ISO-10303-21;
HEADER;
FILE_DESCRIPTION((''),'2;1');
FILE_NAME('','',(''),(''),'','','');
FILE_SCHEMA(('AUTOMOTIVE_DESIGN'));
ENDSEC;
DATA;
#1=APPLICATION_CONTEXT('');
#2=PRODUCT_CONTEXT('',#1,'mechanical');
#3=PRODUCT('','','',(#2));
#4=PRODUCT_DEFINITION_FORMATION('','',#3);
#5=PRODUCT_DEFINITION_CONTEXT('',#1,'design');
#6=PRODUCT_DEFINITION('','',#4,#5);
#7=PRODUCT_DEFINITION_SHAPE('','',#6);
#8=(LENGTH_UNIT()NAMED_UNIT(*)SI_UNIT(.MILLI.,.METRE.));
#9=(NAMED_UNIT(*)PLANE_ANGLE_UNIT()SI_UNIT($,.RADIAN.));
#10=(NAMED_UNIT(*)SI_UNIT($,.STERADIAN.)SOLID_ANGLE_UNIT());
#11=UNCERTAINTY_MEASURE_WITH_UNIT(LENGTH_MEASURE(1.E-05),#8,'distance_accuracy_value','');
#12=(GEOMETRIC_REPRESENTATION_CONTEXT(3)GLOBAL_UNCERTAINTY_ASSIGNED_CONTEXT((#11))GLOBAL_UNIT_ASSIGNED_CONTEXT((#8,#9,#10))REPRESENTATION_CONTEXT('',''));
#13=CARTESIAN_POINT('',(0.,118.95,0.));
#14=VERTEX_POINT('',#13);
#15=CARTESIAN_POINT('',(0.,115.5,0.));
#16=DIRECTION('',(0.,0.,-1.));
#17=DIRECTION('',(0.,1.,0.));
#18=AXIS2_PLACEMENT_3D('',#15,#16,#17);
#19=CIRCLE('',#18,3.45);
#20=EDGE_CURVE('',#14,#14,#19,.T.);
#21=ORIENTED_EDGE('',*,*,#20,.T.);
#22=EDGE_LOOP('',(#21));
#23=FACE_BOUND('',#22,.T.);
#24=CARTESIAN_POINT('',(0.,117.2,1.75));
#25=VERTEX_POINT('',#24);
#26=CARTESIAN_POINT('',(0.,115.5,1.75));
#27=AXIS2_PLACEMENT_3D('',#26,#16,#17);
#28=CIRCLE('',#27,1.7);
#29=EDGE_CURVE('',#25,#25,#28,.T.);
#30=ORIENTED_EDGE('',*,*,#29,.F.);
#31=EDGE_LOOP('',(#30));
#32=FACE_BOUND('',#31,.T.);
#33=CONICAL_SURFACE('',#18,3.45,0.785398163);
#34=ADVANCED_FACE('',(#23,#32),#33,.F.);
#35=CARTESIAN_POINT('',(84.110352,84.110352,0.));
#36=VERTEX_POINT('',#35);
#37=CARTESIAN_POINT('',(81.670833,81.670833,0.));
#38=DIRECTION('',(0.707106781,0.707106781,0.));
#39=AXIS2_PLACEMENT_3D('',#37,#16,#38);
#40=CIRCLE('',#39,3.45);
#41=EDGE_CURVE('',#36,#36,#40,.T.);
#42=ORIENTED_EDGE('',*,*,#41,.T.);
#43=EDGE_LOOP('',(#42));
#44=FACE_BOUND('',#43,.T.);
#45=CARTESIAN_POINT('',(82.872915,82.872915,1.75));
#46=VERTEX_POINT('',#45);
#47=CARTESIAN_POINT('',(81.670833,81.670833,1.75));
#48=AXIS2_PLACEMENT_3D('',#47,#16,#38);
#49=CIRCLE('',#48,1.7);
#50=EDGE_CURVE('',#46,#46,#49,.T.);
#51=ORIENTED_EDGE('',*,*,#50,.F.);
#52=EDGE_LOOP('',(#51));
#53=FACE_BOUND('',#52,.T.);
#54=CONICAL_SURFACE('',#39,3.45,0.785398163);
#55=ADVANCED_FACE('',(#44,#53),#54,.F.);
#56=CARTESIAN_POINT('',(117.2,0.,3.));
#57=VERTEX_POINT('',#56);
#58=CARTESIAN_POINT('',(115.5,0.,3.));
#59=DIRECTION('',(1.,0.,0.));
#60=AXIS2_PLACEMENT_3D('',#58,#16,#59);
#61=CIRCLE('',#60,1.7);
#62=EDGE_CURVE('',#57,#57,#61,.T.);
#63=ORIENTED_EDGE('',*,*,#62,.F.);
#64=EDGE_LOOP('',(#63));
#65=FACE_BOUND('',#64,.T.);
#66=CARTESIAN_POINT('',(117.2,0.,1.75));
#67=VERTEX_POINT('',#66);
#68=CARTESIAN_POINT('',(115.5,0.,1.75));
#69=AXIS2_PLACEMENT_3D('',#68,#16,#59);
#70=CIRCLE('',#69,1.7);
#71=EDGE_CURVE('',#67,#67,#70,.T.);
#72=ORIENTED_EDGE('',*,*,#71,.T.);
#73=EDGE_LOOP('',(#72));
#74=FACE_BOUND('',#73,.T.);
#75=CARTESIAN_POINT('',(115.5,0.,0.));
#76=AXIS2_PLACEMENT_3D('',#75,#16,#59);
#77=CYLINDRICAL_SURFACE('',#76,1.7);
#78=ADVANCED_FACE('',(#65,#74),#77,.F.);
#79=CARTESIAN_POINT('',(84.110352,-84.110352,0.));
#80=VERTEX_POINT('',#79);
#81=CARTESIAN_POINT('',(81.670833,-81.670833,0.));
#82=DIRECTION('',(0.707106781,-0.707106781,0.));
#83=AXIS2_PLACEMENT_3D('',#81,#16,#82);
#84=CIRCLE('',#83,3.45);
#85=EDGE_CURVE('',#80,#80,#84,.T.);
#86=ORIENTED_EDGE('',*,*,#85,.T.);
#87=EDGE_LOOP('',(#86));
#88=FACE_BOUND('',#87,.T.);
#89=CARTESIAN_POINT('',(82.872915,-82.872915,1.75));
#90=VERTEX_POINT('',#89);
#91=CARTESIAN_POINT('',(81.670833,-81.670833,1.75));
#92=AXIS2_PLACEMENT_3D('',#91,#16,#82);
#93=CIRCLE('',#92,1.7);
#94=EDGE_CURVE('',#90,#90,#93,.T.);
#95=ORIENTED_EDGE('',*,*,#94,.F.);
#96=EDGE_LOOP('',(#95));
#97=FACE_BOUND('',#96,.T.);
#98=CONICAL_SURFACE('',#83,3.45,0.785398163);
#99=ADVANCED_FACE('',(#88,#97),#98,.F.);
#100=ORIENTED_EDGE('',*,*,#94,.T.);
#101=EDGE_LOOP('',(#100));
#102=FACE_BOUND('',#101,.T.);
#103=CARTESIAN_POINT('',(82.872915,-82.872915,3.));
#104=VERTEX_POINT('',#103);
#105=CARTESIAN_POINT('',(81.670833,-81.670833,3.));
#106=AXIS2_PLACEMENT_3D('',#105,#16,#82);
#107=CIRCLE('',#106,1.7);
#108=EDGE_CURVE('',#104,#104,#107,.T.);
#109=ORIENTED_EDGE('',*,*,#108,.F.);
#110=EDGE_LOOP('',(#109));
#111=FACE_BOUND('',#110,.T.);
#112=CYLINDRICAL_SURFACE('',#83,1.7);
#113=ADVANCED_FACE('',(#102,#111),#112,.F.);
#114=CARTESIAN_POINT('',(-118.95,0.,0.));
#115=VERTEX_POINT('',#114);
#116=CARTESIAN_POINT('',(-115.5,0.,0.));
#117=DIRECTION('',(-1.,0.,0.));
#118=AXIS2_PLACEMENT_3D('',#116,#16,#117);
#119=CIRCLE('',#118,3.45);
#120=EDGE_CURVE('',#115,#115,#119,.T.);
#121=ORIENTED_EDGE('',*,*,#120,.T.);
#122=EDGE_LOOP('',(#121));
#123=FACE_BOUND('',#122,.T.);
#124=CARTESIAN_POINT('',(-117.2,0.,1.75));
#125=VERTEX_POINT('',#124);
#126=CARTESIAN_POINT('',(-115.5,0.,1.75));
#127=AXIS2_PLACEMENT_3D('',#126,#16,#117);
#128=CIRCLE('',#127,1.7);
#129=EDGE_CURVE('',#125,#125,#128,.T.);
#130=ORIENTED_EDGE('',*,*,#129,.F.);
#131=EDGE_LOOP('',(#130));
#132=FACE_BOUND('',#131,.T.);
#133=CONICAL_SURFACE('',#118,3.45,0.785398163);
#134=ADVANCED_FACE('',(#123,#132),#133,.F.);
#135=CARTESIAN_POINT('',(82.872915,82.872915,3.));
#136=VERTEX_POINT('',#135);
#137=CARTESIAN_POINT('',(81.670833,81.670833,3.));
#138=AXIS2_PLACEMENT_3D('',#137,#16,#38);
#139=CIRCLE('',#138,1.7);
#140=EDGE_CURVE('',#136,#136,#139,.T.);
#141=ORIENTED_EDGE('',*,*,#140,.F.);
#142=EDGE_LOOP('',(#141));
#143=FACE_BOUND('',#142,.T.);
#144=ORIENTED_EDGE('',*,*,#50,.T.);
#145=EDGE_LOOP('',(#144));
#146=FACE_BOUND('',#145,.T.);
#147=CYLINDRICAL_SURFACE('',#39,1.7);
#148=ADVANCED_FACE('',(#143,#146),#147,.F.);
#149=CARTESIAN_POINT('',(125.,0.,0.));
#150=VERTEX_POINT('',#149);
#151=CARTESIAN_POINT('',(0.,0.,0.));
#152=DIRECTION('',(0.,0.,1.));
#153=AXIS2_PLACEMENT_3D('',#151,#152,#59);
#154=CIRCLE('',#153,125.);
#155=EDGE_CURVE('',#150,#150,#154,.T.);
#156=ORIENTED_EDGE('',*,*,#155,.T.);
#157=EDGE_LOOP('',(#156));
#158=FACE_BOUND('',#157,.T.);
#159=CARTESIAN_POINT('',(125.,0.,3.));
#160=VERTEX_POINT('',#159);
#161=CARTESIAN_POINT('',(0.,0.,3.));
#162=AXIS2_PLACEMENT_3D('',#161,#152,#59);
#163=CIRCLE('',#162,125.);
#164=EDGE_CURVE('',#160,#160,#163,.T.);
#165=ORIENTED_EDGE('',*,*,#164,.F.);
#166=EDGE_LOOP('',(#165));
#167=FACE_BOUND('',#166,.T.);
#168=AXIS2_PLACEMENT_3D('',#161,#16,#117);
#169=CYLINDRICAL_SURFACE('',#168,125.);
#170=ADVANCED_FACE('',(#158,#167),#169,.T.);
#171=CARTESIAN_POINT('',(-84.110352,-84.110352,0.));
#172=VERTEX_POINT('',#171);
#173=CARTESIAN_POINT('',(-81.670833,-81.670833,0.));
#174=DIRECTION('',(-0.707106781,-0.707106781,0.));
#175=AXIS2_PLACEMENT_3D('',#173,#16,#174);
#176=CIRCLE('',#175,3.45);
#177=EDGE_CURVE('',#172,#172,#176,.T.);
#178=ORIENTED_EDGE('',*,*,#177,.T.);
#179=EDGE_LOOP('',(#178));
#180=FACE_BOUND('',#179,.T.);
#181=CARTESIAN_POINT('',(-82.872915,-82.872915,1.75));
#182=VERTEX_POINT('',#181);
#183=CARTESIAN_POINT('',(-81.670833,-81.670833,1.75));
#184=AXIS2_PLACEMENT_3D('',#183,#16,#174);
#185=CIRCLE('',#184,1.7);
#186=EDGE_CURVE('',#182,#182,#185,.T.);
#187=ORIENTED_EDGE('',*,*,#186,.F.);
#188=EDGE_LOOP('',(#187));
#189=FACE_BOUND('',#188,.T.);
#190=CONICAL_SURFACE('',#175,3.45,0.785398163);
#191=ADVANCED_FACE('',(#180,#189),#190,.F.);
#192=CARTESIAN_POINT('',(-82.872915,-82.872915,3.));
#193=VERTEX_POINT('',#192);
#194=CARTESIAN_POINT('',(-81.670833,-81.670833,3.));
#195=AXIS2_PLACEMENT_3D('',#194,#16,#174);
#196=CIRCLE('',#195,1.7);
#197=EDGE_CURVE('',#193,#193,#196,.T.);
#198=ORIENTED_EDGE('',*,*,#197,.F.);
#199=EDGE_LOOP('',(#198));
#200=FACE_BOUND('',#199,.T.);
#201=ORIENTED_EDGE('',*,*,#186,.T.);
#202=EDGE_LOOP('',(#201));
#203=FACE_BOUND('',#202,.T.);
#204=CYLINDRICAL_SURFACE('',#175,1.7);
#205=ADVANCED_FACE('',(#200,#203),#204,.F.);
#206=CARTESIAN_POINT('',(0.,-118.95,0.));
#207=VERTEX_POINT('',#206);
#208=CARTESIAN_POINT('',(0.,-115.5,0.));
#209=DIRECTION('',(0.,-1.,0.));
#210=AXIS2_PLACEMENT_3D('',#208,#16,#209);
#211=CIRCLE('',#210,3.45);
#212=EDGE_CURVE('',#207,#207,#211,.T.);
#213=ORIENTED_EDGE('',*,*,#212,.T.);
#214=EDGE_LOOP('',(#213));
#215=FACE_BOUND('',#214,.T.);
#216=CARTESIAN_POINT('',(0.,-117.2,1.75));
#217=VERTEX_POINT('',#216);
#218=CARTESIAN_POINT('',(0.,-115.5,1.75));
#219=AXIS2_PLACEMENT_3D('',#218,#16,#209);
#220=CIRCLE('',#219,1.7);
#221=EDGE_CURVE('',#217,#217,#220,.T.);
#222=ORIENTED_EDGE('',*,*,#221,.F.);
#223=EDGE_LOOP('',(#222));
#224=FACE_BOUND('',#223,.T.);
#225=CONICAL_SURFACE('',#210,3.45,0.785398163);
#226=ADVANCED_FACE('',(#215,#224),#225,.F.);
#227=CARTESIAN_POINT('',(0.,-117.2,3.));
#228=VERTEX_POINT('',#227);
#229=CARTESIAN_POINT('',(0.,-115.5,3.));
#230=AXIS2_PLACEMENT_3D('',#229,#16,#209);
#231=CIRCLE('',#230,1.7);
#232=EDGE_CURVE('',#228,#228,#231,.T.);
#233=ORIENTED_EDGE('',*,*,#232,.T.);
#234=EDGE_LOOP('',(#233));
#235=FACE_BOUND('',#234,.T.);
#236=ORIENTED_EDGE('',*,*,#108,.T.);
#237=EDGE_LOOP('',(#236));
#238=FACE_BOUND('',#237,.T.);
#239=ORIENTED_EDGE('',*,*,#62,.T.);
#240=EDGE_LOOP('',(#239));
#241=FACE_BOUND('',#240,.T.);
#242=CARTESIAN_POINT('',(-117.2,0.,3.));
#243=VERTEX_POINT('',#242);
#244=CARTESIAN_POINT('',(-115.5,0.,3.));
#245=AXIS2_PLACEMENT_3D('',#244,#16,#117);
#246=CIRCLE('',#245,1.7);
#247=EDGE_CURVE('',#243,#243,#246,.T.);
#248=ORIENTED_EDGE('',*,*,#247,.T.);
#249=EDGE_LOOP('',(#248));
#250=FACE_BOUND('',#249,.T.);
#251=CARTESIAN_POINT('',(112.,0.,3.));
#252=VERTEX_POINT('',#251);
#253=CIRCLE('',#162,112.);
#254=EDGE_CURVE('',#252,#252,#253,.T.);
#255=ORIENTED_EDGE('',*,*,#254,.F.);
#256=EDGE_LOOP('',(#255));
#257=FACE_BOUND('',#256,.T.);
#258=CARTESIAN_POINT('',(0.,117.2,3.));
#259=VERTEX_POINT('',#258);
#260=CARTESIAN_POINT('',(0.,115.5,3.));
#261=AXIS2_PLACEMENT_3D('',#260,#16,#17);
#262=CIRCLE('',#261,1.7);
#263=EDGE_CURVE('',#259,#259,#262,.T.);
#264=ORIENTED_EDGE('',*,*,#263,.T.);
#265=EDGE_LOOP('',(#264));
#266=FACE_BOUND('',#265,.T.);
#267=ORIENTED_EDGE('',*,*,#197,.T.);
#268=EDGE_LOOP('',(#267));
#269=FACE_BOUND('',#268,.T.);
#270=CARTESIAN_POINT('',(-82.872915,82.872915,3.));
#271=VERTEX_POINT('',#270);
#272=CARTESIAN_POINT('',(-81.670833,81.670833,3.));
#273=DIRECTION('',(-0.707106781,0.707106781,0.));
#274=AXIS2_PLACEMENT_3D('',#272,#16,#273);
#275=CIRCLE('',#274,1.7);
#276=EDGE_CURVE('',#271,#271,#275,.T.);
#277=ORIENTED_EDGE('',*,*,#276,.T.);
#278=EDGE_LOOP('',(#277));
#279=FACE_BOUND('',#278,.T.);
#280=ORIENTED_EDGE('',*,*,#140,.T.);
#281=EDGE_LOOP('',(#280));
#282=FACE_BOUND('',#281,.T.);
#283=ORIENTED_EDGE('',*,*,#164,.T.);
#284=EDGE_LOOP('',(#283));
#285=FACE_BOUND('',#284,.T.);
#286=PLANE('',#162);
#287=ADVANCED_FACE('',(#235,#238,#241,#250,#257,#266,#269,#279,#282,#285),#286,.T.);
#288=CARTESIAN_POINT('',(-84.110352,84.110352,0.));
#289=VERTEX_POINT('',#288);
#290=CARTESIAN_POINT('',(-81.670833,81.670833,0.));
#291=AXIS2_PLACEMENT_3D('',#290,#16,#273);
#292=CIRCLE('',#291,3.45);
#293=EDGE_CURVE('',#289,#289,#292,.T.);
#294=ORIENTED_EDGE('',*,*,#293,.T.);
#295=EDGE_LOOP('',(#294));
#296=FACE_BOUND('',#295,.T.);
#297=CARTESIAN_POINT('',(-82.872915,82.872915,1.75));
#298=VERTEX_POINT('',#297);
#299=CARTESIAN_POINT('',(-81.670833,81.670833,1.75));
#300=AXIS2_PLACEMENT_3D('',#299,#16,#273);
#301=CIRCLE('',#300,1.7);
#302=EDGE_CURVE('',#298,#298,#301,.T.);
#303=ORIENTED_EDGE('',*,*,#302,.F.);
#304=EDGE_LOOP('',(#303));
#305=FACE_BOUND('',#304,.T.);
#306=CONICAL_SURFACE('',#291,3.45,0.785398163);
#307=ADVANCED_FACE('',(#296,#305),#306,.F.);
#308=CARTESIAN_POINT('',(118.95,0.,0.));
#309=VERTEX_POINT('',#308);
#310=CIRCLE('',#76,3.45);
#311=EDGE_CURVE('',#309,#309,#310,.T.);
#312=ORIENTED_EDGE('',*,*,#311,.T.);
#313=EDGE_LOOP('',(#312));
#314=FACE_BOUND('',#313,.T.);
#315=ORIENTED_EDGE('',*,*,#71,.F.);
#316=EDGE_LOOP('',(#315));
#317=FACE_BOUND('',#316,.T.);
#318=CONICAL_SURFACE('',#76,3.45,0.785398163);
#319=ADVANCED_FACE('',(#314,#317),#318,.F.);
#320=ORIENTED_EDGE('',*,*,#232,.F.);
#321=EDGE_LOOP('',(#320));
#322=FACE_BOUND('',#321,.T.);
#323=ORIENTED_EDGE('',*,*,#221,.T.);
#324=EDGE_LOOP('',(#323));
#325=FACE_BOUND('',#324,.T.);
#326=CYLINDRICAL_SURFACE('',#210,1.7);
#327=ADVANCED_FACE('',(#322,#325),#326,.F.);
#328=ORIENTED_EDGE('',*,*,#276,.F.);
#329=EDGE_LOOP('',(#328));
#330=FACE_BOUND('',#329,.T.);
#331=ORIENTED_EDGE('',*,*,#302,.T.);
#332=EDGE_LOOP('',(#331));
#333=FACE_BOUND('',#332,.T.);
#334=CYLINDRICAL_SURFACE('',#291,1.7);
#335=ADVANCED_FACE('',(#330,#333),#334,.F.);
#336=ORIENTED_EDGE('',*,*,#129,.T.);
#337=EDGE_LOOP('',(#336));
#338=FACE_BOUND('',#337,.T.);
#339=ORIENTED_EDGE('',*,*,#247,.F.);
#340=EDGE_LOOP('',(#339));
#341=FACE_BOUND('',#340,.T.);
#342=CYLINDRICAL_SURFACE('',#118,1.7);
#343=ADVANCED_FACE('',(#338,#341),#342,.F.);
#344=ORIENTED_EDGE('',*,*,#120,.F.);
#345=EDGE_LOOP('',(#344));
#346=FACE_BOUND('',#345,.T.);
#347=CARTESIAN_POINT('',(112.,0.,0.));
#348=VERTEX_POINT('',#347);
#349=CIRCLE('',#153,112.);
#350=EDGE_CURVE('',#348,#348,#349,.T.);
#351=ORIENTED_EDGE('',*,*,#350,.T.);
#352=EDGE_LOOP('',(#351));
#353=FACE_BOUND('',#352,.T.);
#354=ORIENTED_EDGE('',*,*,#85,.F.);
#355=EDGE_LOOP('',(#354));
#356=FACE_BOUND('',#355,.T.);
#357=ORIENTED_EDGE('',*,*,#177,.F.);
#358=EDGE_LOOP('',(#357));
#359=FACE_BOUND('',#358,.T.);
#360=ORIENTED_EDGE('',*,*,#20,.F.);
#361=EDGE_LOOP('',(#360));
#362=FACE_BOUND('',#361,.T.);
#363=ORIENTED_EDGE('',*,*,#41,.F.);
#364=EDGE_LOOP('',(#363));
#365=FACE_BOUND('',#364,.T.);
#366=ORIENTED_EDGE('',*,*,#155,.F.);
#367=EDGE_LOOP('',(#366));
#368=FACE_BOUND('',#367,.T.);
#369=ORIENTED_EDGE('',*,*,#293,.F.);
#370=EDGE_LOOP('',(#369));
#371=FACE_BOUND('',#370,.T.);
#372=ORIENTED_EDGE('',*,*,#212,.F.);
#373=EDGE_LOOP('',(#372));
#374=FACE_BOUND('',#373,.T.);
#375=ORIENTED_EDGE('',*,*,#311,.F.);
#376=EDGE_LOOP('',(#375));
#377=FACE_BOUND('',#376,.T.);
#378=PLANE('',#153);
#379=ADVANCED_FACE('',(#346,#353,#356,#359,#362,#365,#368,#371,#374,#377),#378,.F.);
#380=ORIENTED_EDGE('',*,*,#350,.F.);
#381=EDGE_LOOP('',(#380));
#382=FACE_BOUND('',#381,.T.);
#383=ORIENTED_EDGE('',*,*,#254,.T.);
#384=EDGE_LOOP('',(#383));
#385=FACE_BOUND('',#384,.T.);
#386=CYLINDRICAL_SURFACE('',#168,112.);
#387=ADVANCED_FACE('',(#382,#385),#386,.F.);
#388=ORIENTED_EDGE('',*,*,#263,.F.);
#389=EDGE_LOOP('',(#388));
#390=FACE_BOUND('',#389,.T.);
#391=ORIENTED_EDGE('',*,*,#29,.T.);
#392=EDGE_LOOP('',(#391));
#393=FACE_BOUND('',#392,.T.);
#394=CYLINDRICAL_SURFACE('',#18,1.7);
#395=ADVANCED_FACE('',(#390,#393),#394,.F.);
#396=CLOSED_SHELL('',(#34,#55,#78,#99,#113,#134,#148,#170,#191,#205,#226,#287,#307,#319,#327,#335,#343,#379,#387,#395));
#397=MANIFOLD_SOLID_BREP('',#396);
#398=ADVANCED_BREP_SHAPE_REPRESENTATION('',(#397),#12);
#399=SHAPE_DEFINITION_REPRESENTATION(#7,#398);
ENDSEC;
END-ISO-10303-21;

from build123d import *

# Parameters (mm, degrees)
SKETCH1_R           = 125
SKETCH1_R_2         = 112
BOSS_EXTRUDE1_DEPTH = 3
CIRPATTERN1_COUNT   = 8


with BuildPart() as part:
    # Sketch1 → Boss-Extrude1 (new body)
    with BuildSketch(Plane.XY):
        Circle(SKETCH1_R)
        Circle(SKETCH1_R_2, mode=Mode.SUBTRACT)
    extrude(amount=BOSS_EXTRUDE1_DEPTH)

    # Sketch3 → CSK for M3 Countersunk Flat Head Screw1 (revolve, cut)
    with BuildSketch(Plane.YZ.offset(-115.5)):
        Polygon((0, 0), (0, 3), (1.7, 3), (1.7, 1.75), (3.45, 0), align=None)
    csk_for_m3_countersunk_flat_head_screw1 = revolve(axis=Axis((-115.5, 0, -6.35), (0, 0, 1)), mode=Mode.SUBTRACT)

    # CirPattern1: CSK for M3 Countersunk Flat Head Screw1 ×8 about axis
    cirpattern1_axis = Axis((0, 0, 0), (0, 0, 1))
    for i in range(1, CIRPATTERN1_COUNT):
        add(csk_for_m3_countersunk_flat_head_screw1.rotate(cirpattern1_axis, i * 360 / CIRPATTERN1_COUNT), mode=Mode.SUBTRACT)


solid = part.part
